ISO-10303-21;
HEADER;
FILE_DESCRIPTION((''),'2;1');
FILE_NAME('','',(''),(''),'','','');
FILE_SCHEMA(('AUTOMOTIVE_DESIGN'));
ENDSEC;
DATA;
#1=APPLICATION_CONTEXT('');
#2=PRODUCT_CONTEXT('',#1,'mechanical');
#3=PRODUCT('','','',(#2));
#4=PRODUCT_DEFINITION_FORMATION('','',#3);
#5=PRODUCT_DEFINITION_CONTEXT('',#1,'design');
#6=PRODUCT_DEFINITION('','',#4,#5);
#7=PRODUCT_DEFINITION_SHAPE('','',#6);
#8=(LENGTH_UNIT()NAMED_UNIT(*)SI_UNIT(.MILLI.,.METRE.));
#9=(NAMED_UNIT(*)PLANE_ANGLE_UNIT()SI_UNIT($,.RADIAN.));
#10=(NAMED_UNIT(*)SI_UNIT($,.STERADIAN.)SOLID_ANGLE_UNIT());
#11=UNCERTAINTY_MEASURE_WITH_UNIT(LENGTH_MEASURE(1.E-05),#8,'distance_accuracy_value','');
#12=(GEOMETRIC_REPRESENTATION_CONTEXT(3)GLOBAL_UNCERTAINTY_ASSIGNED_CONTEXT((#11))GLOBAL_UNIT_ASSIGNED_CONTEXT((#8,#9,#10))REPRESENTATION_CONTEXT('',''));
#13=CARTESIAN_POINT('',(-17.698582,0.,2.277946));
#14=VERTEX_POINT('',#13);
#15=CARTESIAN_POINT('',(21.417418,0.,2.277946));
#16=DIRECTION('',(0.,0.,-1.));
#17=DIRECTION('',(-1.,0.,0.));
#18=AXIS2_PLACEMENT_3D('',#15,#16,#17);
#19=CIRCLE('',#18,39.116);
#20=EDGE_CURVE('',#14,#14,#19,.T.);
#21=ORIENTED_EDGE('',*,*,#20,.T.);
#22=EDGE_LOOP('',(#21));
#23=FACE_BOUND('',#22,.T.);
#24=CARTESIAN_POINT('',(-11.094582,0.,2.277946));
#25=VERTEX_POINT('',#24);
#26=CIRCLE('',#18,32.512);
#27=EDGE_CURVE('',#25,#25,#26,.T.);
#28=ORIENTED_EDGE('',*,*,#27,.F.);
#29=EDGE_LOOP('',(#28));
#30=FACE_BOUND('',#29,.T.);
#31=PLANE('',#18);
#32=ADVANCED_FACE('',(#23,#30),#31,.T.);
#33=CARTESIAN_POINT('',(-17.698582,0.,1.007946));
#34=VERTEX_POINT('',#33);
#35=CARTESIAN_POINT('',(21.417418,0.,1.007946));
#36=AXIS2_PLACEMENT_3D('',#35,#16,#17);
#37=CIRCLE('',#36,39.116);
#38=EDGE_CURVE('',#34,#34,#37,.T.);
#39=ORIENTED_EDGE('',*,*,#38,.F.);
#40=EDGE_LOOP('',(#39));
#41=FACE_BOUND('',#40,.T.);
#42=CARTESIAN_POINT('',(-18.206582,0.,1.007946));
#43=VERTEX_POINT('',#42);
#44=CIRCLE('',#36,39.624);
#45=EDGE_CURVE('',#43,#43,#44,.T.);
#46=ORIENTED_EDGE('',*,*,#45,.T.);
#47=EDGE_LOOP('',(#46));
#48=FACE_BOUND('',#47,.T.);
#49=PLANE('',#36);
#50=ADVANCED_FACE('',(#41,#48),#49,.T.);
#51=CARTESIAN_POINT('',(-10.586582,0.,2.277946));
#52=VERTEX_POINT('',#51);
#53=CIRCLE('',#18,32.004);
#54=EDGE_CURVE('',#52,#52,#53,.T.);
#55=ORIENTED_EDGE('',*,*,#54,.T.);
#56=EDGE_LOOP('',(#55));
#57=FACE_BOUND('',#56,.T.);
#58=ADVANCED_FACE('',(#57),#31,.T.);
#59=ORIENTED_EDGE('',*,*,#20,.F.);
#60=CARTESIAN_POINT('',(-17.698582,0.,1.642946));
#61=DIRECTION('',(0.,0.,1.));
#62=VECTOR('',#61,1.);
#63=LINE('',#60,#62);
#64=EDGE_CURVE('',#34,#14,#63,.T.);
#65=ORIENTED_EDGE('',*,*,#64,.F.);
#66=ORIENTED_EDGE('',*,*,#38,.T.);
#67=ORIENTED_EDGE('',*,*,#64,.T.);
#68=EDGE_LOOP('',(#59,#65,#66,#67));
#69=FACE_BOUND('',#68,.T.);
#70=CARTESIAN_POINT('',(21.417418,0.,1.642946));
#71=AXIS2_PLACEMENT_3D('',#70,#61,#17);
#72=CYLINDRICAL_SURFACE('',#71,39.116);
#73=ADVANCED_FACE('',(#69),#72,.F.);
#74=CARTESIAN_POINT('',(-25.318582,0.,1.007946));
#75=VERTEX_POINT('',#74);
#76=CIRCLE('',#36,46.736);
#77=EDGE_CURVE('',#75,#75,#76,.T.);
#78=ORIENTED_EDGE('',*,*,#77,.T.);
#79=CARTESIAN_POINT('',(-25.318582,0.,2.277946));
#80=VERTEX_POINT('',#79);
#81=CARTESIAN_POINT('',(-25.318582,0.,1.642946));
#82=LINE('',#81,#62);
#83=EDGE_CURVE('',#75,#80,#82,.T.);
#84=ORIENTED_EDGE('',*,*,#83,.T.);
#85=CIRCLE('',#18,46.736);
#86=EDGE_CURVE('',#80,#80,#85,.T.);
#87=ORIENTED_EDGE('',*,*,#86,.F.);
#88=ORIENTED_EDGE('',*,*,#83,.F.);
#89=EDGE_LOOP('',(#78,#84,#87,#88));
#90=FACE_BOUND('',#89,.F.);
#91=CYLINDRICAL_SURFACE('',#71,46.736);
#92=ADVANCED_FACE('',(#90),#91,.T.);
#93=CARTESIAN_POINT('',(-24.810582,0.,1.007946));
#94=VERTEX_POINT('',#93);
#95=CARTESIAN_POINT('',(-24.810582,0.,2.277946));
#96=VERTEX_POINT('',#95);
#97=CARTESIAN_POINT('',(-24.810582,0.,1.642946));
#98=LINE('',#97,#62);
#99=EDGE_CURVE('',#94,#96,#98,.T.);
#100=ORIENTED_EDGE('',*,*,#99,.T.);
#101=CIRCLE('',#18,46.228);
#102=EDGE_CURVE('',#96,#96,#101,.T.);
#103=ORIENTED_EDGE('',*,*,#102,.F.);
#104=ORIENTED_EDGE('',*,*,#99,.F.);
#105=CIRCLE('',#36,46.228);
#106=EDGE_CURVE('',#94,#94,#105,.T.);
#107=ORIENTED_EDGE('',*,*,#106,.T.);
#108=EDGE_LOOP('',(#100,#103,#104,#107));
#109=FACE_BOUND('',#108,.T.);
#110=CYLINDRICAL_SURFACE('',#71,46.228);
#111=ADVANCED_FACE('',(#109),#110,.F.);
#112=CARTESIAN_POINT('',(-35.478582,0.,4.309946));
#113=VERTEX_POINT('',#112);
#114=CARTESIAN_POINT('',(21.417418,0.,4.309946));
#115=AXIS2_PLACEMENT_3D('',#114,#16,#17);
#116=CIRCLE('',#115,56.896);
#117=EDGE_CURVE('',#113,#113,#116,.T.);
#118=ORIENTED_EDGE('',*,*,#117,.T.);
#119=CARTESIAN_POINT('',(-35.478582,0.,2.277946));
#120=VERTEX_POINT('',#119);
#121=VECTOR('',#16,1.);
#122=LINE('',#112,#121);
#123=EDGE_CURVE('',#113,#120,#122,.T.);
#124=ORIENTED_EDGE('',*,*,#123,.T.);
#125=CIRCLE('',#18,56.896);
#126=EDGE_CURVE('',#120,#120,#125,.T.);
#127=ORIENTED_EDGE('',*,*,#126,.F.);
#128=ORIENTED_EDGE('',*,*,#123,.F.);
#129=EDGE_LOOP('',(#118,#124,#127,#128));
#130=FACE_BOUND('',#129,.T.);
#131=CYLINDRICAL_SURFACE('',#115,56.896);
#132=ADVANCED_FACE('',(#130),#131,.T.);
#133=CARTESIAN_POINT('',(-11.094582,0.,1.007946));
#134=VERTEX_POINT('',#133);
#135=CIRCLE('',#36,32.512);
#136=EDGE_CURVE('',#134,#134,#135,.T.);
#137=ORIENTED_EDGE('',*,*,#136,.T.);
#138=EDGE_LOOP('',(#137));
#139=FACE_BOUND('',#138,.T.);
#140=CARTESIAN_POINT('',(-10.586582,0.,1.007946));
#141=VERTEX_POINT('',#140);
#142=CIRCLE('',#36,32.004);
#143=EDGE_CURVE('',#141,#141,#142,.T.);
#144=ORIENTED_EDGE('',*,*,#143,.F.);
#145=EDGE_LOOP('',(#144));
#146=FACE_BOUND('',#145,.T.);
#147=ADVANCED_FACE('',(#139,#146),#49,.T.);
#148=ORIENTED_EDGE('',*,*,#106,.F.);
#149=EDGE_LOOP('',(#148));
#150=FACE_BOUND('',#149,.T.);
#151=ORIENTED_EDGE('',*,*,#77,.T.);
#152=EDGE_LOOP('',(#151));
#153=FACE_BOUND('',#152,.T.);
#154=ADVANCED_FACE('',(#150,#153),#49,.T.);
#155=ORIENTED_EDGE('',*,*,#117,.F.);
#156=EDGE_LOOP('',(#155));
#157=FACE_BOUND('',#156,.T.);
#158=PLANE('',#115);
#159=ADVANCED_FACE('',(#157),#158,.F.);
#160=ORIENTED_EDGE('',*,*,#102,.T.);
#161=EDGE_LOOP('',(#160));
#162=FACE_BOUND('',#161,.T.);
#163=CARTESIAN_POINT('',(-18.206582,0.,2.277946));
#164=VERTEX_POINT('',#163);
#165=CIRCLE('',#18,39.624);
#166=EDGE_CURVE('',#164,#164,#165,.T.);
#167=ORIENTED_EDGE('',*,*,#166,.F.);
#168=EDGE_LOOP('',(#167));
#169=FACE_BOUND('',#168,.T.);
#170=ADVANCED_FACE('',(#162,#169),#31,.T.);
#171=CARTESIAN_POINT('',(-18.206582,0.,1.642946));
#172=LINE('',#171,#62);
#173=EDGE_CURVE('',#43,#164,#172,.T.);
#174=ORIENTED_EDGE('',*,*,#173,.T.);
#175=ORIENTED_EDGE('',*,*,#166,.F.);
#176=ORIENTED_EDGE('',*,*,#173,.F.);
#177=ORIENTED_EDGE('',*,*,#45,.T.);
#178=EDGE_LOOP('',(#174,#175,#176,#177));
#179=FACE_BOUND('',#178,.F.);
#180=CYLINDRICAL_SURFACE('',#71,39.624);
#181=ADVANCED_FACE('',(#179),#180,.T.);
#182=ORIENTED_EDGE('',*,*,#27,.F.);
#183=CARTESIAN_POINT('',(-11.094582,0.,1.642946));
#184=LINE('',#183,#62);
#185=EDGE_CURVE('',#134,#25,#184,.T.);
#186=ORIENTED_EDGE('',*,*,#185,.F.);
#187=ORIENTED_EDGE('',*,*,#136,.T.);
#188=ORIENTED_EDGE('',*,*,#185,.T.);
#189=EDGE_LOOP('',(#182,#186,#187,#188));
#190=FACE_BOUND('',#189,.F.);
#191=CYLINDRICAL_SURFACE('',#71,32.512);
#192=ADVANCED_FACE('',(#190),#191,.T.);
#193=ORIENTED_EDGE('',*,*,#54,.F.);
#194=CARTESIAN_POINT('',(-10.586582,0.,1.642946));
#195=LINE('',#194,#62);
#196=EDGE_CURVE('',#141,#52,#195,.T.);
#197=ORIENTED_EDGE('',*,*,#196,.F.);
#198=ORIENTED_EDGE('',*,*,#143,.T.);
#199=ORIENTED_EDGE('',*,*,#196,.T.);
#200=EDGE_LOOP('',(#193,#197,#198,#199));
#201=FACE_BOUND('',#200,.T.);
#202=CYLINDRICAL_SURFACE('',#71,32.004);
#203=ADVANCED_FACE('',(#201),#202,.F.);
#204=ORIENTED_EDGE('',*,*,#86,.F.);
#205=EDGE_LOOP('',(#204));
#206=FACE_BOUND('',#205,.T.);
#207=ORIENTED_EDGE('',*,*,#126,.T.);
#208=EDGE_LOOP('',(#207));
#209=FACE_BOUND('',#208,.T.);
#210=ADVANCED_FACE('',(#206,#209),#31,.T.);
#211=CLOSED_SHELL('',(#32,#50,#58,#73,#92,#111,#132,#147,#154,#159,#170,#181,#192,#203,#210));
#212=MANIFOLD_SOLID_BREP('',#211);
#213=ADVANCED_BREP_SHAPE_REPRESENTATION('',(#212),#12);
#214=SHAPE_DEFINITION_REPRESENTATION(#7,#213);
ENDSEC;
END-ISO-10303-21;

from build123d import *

# Parameters (mm, degrees)
F0_W = 0.508
F0_H = 1.27


with BuildPart() as f1:
    # F0 (on Front) → F1 (revolve)
    with BuildSketch(Plane.XZ):
        Polygon((21.417418, 4.309946), (-35.478582, 4.309946), (-35.478582, 2.277946), (-25.318582, 2.277946), (-24.810582, 2.277946), (-18.206582, 2.277946), (-17.698582, 2.277946), (-11.094582, 2.277946), (-10.586582, 2.277946), (21.417418, 2.277946), align=None)
        with Locations((-25.064582, 1.642946)):
            Rectangle(F0_W, F0_H)
        with Locations((-10.840582, 1.642946)):
            Rectangle(F0_W, F0_H)
        with Locations((-17.952582, 1.642946)):
            Rectangle(F0_W, F0_H)
    revolve(axis=Axis((21.417418, 0, 3.293946), (0, 0, -1)))


solid = f1.part
